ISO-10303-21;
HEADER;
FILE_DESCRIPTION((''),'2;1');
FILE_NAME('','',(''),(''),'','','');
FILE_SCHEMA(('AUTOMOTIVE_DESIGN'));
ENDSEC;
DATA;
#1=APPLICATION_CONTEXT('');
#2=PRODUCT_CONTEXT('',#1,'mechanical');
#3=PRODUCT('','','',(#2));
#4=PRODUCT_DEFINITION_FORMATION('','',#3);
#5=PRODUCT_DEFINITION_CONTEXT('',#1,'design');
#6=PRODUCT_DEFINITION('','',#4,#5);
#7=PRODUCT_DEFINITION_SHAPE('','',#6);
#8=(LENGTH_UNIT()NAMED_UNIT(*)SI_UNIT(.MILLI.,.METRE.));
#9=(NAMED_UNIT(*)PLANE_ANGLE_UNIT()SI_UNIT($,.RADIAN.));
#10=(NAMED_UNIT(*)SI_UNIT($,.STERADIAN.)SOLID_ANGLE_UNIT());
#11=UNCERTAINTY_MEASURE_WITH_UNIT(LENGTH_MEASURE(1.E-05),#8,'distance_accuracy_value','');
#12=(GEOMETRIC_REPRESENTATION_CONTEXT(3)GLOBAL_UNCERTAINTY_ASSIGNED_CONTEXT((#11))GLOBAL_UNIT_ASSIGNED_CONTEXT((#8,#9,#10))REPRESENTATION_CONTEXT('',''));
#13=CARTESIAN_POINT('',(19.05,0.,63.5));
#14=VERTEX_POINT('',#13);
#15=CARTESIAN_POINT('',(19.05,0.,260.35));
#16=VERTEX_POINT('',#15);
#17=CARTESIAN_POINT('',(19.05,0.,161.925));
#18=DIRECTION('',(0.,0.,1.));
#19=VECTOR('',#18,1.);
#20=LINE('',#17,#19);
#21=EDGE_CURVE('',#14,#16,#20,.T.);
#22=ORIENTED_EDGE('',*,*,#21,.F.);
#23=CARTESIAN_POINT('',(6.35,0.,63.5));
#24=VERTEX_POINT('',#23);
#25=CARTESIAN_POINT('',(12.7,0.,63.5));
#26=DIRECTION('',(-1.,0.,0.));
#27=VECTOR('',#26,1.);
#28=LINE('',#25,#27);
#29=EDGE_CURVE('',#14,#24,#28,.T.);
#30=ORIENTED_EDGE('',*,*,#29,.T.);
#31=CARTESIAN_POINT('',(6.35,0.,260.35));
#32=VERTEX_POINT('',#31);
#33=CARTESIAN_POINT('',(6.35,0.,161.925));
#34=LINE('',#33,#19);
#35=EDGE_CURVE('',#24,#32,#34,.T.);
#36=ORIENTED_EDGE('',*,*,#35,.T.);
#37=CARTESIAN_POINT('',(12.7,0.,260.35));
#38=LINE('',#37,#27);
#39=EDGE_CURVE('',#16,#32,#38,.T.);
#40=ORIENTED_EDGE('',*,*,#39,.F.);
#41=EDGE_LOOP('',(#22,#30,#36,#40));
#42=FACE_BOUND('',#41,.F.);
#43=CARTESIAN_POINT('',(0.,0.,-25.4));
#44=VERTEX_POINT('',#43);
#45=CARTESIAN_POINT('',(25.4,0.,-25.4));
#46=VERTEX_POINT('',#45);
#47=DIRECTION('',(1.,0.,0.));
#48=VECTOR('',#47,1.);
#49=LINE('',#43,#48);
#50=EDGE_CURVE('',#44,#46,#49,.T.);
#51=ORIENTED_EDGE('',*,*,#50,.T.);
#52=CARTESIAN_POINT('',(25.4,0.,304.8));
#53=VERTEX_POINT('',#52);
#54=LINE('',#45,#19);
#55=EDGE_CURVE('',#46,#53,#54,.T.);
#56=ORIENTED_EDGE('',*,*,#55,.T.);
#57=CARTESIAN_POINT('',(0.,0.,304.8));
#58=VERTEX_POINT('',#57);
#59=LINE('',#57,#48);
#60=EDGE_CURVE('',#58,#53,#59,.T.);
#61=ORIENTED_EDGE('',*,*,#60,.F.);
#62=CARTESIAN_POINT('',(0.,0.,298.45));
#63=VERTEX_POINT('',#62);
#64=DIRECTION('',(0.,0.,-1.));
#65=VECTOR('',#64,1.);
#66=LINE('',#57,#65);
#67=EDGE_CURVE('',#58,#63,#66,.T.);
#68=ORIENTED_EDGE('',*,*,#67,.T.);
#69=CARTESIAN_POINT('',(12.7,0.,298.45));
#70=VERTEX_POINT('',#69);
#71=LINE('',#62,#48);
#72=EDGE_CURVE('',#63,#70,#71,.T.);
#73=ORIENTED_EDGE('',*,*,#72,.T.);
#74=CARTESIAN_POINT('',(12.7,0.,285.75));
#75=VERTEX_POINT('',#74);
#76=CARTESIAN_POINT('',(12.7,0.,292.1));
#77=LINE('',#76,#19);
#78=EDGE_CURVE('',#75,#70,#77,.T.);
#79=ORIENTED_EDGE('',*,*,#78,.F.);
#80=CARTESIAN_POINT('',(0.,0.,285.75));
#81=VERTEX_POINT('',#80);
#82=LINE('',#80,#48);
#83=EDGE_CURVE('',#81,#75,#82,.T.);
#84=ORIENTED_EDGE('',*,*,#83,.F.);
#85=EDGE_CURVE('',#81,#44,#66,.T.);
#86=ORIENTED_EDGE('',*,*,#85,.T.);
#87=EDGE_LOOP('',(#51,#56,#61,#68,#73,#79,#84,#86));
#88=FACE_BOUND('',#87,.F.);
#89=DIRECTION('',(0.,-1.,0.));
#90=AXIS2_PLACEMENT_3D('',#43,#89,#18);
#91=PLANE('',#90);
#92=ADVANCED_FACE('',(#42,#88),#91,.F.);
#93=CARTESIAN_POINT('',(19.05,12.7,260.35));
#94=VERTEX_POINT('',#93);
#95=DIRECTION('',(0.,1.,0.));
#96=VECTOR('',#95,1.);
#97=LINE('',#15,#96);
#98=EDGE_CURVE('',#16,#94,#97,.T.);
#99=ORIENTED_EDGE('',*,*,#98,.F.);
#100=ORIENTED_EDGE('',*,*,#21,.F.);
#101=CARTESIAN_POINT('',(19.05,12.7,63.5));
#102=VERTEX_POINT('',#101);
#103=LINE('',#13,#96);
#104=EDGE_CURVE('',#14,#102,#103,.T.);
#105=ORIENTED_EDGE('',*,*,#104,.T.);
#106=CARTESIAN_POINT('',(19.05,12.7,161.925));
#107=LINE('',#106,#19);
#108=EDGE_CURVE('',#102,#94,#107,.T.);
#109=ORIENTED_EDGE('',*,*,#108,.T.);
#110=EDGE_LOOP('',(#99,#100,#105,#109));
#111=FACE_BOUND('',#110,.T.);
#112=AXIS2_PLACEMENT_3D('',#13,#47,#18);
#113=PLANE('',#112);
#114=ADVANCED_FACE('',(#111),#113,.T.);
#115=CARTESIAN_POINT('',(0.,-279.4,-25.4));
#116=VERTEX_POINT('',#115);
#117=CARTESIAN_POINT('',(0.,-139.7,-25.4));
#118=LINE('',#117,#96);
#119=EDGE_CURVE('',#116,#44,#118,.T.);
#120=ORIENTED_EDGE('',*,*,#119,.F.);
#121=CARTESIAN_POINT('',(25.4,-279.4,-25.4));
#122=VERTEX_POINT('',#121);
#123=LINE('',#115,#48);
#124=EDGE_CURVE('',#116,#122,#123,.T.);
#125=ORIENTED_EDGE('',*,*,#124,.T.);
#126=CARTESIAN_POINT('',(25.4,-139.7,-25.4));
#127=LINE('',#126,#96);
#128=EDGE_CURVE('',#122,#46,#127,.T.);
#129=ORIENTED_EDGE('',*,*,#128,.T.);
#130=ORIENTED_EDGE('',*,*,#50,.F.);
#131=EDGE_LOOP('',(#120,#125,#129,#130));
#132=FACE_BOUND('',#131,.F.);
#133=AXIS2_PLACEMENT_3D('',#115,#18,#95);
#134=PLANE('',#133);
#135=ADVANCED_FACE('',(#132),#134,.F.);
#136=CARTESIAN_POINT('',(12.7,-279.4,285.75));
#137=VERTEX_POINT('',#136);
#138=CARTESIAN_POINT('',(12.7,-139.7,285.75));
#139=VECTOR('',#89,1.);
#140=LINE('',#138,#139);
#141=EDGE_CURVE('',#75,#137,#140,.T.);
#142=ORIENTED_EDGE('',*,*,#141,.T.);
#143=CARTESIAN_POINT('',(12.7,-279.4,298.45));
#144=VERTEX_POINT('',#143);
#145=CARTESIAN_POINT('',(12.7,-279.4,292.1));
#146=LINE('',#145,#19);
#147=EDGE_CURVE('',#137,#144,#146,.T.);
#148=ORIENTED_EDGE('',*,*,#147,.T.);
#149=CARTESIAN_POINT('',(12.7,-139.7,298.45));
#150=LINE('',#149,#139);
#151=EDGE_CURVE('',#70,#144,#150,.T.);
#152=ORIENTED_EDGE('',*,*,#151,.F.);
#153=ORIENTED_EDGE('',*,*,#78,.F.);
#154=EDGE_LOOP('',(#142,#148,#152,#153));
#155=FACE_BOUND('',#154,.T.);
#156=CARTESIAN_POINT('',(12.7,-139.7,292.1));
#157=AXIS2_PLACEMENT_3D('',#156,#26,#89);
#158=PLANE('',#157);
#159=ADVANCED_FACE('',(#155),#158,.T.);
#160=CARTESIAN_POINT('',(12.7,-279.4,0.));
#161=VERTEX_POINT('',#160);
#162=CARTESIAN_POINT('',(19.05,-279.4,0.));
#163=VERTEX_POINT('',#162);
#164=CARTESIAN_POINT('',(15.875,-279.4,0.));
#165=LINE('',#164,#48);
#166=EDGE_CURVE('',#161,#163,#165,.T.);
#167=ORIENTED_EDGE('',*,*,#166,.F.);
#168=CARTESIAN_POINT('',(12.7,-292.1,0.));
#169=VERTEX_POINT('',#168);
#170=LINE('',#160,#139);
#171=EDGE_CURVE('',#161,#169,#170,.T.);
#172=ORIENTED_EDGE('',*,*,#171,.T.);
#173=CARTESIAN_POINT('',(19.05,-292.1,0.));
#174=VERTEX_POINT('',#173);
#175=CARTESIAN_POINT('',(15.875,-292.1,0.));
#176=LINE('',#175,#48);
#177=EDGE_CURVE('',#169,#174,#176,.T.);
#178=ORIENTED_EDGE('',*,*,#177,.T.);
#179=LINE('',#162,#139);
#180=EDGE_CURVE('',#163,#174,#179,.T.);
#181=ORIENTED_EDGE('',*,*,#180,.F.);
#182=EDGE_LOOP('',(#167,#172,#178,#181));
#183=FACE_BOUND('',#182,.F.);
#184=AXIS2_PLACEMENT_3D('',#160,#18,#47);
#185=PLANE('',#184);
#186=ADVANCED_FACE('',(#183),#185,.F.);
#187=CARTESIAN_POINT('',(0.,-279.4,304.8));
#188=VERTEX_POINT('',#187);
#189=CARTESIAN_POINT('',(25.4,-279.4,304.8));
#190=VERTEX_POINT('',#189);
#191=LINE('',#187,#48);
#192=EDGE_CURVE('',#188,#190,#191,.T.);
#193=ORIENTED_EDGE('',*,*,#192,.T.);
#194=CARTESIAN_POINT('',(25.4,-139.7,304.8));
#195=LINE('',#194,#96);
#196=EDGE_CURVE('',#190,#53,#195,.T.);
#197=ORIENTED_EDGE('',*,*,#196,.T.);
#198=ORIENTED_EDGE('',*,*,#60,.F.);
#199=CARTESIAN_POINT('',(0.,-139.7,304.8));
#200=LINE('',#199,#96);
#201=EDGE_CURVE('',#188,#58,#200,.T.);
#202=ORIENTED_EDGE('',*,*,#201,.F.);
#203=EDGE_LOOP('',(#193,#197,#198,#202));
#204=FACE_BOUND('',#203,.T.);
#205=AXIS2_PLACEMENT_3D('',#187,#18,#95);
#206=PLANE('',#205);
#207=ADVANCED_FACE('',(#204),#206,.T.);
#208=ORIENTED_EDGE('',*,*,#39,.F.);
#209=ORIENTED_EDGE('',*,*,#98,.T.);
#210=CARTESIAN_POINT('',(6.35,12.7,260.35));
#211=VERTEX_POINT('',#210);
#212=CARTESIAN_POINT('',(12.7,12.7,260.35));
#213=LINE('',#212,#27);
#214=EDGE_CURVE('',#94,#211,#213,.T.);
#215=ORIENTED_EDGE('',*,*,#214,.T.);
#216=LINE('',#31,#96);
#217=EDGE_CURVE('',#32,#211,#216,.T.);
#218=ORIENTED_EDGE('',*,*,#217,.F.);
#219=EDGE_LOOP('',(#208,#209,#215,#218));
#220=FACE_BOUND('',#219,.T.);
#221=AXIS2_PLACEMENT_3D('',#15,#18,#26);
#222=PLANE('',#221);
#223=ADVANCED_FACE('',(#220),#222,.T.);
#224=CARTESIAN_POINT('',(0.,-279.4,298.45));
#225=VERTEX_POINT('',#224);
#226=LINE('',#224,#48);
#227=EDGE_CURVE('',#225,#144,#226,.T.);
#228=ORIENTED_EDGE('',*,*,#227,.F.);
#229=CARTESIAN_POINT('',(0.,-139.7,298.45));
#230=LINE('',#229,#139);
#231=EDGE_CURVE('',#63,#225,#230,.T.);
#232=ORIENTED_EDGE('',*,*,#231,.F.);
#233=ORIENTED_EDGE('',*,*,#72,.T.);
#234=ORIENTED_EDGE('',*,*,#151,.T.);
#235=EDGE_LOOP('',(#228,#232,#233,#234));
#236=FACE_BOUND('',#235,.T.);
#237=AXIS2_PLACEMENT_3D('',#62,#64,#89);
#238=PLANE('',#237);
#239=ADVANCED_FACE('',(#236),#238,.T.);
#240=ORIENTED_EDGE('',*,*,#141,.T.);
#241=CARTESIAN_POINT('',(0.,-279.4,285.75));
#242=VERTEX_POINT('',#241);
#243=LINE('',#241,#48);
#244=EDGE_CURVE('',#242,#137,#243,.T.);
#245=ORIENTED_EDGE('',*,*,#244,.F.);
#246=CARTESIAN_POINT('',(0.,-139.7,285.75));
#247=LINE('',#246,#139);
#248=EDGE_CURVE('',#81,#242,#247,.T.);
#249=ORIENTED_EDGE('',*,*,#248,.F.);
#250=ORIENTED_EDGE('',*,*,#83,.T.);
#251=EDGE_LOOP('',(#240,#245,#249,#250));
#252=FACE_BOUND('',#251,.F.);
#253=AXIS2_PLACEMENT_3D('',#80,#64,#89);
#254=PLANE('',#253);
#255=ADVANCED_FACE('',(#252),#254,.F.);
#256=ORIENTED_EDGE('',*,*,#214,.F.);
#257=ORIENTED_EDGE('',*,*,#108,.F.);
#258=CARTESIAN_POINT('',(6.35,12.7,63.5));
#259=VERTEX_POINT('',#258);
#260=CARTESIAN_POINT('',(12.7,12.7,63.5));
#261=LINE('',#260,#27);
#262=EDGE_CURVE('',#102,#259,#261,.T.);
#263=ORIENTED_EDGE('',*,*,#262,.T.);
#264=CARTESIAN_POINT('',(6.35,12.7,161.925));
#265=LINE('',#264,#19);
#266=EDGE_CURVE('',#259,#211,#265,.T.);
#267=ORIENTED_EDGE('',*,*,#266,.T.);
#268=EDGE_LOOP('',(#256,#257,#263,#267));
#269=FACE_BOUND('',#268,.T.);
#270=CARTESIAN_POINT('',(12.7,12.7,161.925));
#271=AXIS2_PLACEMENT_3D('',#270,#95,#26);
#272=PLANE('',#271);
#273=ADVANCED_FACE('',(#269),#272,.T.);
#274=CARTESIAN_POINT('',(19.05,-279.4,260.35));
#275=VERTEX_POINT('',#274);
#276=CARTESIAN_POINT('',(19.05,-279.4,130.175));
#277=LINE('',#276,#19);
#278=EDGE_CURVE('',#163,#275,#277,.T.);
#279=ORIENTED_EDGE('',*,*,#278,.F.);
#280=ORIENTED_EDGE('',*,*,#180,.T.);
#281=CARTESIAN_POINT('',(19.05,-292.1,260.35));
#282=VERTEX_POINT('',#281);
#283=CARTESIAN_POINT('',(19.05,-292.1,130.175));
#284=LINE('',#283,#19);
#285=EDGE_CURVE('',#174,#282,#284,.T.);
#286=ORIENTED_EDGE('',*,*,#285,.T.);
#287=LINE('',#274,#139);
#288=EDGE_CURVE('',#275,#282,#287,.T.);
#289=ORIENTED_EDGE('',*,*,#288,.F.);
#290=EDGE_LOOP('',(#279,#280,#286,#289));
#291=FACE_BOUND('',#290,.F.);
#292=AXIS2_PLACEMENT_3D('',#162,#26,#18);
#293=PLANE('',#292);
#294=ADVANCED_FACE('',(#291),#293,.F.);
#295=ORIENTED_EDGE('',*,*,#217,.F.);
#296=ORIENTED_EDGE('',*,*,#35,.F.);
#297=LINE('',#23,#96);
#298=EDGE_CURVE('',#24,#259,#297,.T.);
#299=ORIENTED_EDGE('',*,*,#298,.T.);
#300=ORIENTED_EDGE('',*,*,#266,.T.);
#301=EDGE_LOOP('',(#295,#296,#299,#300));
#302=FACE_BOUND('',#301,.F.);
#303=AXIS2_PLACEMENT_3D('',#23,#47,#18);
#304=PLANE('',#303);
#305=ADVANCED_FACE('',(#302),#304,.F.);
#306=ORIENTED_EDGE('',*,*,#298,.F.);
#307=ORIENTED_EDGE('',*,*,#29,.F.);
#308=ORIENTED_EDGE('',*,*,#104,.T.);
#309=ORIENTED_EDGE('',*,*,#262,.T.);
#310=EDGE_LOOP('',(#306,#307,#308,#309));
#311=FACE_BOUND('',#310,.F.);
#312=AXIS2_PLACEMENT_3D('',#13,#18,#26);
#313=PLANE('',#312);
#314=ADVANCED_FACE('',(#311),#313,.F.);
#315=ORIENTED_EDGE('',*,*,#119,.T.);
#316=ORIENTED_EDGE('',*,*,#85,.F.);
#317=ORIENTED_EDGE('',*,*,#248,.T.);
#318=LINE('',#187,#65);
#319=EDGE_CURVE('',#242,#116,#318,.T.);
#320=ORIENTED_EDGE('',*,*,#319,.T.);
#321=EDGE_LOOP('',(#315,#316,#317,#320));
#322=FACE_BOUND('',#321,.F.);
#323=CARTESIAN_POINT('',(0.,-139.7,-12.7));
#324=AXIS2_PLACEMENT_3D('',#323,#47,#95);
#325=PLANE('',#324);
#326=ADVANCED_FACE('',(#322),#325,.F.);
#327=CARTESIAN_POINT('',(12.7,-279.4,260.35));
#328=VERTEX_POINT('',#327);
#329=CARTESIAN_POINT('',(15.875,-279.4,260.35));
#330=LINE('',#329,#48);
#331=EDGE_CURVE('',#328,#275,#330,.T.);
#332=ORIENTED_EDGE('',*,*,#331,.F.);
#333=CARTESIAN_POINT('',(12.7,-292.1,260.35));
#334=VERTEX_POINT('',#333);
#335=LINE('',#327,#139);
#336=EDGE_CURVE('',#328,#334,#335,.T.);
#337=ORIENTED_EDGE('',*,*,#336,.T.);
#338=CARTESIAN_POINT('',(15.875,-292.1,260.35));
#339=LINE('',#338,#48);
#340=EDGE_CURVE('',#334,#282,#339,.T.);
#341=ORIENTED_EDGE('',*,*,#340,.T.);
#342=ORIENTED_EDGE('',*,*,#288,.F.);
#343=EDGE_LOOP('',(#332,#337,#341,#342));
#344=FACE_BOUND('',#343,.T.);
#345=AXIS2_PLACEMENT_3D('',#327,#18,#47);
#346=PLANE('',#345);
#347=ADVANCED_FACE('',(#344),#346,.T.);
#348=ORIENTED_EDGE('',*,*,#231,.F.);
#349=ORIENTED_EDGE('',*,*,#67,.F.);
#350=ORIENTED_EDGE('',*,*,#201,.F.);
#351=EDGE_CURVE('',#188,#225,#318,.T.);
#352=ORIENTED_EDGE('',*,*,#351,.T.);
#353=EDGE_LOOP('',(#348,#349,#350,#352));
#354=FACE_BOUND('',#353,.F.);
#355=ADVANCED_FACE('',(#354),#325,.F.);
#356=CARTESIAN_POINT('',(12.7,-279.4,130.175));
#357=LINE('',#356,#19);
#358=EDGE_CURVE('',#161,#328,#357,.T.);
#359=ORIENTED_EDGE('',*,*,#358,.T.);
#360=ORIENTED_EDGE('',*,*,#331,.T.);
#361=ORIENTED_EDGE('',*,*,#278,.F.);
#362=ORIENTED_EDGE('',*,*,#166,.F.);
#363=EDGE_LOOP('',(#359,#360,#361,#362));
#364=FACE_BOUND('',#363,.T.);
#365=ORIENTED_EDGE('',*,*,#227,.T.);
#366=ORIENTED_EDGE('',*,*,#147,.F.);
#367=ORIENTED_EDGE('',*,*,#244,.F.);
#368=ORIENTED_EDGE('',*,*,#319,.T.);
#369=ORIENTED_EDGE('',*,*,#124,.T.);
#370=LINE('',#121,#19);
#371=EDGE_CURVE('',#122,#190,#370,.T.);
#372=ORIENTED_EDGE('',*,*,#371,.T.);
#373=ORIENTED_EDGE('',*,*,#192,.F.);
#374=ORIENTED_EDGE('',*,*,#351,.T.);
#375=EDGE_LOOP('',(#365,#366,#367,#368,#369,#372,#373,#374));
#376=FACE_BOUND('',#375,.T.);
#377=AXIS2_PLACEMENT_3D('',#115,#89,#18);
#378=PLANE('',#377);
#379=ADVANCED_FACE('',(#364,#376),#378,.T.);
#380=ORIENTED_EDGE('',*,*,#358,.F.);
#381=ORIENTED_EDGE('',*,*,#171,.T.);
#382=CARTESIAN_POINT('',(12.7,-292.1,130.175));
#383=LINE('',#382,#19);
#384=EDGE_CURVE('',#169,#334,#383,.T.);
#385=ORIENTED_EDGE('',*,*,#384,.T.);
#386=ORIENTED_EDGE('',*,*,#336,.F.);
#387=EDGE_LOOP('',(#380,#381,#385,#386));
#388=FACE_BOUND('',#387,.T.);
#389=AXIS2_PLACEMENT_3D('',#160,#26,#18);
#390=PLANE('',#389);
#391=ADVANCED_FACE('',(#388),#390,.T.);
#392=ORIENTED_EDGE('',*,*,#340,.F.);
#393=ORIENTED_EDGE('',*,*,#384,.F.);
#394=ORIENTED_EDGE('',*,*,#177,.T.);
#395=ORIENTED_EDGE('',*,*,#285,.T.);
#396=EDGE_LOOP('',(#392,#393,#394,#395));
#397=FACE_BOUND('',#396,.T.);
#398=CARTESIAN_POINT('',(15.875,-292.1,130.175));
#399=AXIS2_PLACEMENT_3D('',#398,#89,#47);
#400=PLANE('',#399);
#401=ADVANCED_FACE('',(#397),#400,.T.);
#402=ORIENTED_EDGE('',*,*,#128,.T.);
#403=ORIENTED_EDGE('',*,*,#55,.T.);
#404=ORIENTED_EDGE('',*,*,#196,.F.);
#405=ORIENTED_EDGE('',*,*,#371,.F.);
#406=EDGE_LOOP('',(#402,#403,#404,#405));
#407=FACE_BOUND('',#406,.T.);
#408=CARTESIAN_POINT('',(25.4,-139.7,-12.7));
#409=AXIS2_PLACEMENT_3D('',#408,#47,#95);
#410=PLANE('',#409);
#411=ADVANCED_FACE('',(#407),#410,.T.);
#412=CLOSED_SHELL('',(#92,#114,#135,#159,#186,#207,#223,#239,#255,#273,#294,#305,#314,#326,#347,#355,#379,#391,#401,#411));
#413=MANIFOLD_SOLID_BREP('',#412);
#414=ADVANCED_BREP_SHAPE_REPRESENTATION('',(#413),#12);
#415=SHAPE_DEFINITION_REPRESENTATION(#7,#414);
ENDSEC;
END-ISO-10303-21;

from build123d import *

# Parameters (mm, degrees)
F0_W     = 279.4
F0_H     = 304.8
F1_DEPTH = 25.4
F2_W     = 279.4
F2_H     = 25.4
F3_DEPTH = 25.4
F4_W     = 279.4
F4_H     = 12.7
F5_DEPTH = 12.7
F6_W     = 6.35
F6_H     = 260.35
F7_DEPTH = 12.7
F8_W     = 12.7
F8_H     = 196.85
F9_DEPTH = 12.7


with BuildPart() as f1:
    # F0 (on Right) → F1 (new body)
    with BuildSketch(Plane.YZ):
        with Locations((-139.7, 152.4)):
            Rectangle(F0_W, F0_H)
    extrude(amount=F1_DEPTH)

    # F2 (on Right) → F3 (join)
    with BuildSketch(Plane.YZ):
        with Locations((-139.7, -12.7)):
            Rectangle(F2_W, F2_H)
    extrude(amount=F3_DEPTH)

    # F4 (on face) → F5 (cut)
    with BuildSketch(Plane(origin=(0, 0, 0), x_dir=(0, -1, 0), z_dir=(-1, 0, 0))):
        with Locations((139.7, 292.1)):
            Rectangle(F4_W, F4_H)
    extrude(amount=-F5_DEPTH, mode=Mode.SUBTRACT)

    # F6 (on face) → F7 (join)
    with BuildSketch(Plane.XZ.offset(279.4)):
        with Locations((15.875, 130.175)):
            Rectangle(F6_W, F6_H)
    extrude(amount=F7_DEPTH)

    # F8 (on face) → F9 (join)
    with BuildSketch(Plane(origin=(0, 0, 0), x_dir=(-1, 0, 0), z_dir=(0, 1, 0))):
        with Locations((-12.7, 161.925)):
            Rectangle(F8_W, F8_H)
    extrude(amount=F9_DEPTH)


solid = f1.part
